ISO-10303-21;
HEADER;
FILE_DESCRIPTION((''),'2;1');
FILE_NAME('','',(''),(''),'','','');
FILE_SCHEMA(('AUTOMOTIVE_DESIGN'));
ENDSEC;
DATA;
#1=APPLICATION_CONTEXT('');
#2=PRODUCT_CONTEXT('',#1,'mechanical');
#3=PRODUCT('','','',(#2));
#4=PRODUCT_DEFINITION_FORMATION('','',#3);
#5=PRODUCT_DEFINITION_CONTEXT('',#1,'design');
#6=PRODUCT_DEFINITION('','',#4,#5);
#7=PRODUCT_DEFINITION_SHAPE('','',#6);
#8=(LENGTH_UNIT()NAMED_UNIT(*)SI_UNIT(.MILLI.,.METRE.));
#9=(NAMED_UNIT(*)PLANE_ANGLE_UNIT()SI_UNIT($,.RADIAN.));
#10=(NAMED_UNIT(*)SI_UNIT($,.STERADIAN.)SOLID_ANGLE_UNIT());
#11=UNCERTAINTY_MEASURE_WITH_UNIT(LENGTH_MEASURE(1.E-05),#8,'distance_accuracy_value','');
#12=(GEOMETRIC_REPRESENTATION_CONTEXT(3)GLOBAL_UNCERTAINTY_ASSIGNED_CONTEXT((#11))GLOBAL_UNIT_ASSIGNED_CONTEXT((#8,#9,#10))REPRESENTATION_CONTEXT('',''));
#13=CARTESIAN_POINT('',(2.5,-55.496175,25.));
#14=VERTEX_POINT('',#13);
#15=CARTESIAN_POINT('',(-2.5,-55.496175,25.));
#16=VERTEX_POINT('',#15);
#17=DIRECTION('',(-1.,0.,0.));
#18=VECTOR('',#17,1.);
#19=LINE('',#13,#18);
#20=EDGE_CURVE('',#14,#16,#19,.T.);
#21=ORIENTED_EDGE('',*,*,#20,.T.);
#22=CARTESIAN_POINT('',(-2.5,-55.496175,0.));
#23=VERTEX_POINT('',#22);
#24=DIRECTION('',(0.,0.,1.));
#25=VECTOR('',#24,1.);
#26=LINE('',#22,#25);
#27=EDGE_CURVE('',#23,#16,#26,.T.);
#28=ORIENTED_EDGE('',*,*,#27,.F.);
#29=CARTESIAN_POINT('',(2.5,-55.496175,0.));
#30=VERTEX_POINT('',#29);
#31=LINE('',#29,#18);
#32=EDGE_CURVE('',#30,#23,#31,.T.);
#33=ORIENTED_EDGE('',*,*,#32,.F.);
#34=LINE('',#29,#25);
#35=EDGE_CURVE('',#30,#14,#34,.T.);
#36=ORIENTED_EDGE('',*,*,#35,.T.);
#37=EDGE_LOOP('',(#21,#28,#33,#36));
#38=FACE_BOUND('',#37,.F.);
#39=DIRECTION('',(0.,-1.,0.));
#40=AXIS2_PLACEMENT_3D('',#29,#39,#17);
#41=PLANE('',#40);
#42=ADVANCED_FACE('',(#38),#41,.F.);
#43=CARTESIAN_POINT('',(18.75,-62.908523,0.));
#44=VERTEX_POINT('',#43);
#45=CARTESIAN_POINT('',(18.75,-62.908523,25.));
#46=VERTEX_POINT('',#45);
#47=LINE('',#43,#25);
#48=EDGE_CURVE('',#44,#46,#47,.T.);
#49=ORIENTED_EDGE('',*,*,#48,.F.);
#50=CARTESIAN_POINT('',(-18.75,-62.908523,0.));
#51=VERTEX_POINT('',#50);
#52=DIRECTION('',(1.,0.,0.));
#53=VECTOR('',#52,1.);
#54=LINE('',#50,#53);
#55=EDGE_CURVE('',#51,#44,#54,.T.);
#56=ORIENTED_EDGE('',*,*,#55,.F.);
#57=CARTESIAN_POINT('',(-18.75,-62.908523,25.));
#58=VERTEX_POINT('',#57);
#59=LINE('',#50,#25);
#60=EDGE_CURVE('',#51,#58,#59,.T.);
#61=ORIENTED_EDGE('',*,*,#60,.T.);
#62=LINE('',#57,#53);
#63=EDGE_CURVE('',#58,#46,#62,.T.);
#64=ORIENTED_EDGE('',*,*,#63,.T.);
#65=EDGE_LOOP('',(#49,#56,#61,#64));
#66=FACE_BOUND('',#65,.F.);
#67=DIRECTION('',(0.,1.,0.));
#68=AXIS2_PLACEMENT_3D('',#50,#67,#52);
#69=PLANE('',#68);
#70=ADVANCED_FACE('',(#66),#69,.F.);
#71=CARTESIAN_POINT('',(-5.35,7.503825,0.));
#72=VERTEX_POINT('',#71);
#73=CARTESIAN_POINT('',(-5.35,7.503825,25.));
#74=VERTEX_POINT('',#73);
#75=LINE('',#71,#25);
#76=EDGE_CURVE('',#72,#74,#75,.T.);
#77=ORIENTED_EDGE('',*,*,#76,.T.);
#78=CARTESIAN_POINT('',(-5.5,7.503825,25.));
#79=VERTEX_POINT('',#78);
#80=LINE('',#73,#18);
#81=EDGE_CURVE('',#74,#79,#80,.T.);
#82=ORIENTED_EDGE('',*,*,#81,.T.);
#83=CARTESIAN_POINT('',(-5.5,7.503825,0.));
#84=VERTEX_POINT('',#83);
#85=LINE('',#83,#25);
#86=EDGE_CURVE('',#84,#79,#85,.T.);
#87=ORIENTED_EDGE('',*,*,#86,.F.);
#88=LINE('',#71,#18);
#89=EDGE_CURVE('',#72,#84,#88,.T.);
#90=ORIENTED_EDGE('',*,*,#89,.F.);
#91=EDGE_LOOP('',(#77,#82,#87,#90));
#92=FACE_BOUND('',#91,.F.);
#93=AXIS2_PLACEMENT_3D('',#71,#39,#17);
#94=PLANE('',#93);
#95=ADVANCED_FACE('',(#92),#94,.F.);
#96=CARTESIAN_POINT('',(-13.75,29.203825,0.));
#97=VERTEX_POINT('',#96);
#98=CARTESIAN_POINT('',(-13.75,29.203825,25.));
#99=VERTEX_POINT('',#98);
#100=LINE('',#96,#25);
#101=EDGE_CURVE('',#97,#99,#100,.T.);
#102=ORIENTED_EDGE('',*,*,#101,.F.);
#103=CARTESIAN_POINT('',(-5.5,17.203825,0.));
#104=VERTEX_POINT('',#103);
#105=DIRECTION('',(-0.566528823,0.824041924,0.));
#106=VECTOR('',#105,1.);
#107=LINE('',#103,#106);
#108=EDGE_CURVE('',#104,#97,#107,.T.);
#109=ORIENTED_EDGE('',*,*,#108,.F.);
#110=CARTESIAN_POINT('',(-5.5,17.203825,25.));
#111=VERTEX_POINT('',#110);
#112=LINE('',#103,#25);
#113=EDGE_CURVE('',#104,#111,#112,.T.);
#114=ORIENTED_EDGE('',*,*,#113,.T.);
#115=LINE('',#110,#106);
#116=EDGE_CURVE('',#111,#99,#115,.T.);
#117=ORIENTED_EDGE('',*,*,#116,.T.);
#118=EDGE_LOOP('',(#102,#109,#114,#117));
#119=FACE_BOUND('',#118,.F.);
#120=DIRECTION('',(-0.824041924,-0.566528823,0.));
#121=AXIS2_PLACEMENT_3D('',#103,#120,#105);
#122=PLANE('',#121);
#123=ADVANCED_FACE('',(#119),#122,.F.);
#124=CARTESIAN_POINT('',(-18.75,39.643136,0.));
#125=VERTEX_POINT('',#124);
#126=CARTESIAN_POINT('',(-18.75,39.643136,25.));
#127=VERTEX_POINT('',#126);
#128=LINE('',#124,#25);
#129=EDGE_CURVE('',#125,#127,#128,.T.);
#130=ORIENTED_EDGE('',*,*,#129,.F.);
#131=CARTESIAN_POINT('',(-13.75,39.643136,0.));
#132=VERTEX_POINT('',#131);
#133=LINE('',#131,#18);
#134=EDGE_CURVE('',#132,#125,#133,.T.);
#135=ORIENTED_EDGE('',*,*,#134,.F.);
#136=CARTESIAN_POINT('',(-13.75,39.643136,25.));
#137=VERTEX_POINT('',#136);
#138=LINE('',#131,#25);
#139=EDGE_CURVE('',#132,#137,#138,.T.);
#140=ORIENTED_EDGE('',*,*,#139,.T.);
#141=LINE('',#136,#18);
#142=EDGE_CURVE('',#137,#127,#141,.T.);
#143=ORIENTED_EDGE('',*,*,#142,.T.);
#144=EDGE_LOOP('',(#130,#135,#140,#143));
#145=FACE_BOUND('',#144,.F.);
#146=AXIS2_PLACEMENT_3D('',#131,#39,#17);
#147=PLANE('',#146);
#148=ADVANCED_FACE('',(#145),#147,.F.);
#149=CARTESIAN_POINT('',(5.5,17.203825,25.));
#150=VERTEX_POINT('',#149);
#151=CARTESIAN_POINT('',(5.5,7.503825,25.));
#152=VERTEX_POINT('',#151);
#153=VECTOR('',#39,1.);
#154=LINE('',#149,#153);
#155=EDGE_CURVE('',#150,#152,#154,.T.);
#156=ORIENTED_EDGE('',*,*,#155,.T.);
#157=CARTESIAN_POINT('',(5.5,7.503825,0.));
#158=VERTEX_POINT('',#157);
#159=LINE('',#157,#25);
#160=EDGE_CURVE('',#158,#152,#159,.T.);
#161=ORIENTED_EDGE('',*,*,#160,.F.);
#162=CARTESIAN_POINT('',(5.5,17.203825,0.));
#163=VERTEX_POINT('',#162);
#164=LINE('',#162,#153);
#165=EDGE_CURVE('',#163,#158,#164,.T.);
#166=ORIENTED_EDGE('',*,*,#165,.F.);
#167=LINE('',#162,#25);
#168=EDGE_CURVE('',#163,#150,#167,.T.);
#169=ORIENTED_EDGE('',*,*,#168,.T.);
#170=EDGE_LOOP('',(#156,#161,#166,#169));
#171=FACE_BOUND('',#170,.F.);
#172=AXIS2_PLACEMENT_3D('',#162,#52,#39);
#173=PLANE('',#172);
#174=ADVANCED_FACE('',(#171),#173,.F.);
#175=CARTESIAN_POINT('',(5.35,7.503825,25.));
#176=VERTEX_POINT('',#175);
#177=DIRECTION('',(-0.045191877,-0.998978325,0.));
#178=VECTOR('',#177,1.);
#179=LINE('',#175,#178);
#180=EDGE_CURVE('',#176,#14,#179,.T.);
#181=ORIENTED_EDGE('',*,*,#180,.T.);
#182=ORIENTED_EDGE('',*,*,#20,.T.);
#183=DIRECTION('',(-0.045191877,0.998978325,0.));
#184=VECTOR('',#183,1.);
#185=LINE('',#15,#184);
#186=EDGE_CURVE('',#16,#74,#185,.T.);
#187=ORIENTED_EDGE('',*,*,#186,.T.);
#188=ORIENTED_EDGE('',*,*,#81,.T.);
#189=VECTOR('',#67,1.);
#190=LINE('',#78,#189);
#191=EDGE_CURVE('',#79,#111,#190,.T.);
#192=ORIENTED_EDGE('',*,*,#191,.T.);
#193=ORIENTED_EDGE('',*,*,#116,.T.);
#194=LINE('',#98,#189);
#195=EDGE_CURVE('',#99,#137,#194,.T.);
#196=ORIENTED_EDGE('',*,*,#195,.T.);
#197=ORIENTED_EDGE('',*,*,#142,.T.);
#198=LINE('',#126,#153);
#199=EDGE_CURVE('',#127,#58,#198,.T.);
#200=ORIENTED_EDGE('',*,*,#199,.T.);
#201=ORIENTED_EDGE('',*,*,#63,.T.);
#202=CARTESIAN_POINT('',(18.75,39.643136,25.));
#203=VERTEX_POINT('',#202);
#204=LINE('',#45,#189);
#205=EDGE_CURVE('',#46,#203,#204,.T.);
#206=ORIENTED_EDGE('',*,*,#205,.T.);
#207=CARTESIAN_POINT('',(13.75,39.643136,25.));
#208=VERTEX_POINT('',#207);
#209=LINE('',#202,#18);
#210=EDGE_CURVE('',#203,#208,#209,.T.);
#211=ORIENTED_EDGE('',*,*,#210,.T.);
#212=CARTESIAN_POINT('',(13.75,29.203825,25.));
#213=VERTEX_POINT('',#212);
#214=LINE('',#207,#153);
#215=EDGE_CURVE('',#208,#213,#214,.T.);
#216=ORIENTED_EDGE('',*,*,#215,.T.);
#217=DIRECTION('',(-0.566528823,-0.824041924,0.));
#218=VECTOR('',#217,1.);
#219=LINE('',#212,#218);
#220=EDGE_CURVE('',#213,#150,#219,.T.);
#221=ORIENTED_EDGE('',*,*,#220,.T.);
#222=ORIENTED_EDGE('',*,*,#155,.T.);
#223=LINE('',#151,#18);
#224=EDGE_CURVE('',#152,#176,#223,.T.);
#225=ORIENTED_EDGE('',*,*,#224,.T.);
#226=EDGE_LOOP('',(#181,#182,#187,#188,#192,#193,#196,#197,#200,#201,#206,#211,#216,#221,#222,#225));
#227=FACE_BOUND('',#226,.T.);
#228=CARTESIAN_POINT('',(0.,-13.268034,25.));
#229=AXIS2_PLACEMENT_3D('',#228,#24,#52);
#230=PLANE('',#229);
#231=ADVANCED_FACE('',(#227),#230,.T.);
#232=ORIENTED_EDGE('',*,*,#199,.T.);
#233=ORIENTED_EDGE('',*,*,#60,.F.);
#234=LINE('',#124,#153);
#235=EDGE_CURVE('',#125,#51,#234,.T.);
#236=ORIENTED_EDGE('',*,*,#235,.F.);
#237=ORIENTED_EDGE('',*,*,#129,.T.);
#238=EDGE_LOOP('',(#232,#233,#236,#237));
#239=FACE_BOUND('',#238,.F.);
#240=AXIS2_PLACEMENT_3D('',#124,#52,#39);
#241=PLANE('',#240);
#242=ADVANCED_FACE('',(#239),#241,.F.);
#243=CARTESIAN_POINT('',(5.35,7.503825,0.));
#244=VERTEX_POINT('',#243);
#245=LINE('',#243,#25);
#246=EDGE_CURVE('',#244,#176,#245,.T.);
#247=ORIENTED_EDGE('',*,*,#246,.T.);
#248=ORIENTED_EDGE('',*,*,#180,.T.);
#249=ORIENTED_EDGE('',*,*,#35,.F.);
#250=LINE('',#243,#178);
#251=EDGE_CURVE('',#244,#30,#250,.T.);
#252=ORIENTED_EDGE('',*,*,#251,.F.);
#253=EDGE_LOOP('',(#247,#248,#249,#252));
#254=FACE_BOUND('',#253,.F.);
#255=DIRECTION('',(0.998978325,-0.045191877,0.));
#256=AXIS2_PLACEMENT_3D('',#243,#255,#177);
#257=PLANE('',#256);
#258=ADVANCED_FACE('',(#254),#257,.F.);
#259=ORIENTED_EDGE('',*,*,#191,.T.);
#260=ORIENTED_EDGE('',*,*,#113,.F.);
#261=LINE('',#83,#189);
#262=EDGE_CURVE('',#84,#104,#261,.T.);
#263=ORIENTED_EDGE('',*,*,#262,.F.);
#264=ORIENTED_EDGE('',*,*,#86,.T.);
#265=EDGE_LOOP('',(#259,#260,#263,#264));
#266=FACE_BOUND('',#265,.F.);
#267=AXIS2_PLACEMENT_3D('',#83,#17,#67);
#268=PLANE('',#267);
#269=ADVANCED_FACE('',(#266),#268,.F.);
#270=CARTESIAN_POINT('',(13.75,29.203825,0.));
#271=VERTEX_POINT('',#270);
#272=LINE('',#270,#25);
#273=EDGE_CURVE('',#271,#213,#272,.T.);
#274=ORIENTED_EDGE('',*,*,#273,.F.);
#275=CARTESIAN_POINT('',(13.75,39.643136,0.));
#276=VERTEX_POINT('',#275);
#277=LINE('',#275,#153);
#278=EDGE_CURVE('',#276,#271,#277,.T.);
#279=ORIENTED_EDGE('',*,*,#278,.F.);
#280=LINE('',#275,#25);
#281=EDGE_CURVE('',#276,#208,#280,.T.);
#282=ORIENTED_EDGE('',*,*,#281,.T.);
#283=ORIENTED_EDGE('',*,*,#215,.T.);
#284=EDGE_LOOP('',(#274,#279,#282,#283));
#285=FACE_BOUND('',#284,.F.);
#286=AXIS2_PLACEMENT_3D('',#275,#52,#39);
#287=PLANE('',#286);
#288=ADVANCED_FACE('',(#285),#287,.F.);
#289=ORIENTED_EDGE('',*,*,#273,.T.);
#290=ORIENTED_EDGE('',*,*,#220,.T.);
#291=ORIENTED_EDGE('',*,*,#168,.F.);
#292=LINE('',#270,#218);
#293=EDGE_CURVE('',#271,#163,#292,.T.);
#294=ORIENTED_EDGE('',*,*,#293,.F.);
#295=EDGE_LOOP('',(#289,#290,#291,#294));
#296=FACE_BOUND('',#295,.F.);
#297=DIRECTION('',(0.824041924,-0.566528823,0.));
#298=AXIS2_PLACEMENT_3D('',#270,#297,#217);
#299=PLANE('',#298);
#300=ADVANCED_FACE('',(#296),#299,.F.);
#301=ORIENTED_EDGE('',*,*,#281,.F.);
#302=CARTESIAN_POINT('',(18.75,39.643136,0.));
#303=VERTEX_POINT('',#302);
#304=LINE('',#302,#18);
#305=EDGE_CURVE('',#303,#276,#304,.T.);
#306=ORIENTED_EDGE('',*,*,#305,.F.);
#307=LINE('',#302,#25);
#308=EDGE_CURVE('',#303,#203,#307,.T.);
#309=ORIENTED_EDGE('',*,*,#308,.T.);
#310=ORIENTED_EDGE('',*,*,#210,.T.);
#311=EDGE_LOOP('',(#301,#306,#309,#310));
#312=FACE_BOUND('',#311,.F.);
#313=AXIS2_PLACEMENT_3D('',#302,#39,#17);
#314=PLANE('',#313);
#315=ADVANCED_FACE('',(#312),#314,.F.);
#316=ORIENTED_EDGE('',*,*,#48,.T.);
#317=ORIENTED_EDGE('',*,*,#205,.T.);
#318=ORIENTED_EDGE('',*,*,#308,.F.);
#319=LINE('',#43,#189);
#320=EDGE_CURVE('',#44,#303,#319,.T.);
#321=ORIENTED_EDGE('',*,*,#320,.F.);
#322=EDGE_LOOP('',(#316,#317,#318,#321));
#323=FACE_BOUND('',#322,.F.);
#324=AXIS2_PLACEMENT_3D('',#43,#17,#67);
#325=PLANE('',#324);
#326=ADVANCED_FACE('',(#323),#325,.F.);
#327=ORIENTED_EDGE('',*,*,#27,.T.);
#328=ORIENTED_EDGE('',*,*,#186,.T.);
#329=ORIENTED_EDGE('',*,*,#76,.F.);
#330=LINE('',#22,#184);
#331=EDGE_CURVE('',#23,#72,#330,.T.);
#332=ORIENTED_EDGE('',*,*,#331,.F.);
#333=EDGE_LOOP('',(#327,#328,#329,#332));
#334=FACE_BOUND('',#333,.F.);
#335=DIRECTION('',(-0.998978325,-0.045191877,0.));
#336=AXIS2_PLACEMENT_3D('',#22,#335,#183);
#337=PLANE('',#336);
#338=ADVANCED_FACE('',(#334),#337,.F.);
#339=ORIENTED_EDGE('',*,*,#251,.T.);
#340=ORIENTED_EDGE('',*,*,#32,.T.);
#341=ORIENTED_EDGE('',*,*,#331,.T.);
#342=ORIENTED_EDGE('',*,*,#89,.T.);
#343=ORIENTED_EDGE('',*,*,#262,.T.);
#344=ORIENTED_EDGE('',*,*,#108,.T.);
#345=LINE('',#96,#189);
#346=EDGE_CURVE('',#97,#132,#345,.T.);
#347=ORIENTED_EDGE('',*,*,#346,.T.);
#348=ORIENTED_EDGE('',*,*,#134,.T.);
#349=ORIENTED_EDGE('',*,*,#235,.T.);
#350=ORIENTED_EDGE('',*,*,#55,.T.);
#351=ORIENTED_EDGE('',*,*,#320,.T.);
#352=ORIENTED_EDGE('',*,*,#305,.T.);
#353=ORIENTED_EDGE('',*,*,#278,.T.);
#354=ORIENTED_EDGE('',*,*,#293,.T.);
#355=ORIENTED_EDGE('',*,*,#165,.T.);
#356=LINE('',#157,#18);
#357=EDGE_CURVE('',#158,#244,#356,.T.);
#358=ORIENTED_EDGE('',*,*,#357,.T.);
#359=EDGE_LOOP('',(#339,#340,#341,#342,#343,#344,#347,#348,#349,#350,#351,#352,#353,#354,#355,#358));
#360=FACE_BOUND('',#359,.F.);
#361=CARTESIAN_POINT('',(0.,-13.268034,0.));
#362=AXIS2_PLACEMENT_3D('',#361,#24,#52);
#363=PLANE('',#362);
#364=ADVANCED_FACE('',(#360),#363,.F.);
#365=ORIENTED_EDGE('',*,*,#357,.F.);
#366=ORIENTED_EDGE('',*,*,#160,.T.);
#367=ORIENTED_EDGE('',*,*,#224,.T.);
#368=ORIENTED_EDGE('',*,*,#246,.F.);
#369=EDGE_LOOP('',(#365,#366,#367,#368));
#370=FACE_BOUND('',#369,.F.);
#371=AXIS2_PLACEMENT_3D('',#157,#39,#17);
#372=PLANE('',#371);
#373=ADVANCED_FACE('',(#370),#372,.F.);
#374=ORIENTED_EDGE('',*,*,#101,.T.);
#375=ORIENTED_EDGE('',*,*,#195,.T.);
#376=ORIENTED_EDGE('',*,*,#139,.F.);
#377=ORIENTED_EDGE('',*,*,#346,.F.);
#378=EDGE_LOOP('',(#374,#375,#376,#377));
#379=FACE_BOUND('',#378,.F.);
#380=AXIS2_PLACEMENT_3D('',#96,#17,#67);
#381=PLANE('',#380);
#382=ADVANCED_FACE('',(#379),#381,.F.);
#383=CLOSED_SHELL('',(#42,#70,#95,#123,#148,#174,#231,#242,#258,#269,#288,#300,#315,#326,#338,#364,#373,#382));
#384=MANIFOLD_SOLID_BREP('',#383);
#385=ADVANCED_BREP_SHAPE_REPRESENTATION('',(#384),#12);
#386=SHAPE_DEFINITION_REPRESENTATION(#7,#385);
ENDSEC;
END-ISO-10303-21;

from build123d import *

# Parameters (mm, degrees)
F1_DEPTH = 25


with BuildPart() as f1:
    # F0 (on Top) → F1 (new body)
    with BuildSketch(Plane.XY):
        Polygon((2.5, -55.496175), (-2.5, -55.496175), (-5.35, 7.503825), (-5.5, 7.503825), (-5.5, 17.203825), (-13.75, 29.203825), (-13.75, 39.643136), (-18.75, 39.643136), (-18.75, -62.908523), (18.75, -62.908523), (18.75, 39.643136), (13.75, 39.643136), (13.75, 29.203825), (5.5, 17.203825), (5.5, 7.503825), (5.35, 7.503825), align=None)
    extrude(amount=F1_DEPTH)


solid = f1.part
